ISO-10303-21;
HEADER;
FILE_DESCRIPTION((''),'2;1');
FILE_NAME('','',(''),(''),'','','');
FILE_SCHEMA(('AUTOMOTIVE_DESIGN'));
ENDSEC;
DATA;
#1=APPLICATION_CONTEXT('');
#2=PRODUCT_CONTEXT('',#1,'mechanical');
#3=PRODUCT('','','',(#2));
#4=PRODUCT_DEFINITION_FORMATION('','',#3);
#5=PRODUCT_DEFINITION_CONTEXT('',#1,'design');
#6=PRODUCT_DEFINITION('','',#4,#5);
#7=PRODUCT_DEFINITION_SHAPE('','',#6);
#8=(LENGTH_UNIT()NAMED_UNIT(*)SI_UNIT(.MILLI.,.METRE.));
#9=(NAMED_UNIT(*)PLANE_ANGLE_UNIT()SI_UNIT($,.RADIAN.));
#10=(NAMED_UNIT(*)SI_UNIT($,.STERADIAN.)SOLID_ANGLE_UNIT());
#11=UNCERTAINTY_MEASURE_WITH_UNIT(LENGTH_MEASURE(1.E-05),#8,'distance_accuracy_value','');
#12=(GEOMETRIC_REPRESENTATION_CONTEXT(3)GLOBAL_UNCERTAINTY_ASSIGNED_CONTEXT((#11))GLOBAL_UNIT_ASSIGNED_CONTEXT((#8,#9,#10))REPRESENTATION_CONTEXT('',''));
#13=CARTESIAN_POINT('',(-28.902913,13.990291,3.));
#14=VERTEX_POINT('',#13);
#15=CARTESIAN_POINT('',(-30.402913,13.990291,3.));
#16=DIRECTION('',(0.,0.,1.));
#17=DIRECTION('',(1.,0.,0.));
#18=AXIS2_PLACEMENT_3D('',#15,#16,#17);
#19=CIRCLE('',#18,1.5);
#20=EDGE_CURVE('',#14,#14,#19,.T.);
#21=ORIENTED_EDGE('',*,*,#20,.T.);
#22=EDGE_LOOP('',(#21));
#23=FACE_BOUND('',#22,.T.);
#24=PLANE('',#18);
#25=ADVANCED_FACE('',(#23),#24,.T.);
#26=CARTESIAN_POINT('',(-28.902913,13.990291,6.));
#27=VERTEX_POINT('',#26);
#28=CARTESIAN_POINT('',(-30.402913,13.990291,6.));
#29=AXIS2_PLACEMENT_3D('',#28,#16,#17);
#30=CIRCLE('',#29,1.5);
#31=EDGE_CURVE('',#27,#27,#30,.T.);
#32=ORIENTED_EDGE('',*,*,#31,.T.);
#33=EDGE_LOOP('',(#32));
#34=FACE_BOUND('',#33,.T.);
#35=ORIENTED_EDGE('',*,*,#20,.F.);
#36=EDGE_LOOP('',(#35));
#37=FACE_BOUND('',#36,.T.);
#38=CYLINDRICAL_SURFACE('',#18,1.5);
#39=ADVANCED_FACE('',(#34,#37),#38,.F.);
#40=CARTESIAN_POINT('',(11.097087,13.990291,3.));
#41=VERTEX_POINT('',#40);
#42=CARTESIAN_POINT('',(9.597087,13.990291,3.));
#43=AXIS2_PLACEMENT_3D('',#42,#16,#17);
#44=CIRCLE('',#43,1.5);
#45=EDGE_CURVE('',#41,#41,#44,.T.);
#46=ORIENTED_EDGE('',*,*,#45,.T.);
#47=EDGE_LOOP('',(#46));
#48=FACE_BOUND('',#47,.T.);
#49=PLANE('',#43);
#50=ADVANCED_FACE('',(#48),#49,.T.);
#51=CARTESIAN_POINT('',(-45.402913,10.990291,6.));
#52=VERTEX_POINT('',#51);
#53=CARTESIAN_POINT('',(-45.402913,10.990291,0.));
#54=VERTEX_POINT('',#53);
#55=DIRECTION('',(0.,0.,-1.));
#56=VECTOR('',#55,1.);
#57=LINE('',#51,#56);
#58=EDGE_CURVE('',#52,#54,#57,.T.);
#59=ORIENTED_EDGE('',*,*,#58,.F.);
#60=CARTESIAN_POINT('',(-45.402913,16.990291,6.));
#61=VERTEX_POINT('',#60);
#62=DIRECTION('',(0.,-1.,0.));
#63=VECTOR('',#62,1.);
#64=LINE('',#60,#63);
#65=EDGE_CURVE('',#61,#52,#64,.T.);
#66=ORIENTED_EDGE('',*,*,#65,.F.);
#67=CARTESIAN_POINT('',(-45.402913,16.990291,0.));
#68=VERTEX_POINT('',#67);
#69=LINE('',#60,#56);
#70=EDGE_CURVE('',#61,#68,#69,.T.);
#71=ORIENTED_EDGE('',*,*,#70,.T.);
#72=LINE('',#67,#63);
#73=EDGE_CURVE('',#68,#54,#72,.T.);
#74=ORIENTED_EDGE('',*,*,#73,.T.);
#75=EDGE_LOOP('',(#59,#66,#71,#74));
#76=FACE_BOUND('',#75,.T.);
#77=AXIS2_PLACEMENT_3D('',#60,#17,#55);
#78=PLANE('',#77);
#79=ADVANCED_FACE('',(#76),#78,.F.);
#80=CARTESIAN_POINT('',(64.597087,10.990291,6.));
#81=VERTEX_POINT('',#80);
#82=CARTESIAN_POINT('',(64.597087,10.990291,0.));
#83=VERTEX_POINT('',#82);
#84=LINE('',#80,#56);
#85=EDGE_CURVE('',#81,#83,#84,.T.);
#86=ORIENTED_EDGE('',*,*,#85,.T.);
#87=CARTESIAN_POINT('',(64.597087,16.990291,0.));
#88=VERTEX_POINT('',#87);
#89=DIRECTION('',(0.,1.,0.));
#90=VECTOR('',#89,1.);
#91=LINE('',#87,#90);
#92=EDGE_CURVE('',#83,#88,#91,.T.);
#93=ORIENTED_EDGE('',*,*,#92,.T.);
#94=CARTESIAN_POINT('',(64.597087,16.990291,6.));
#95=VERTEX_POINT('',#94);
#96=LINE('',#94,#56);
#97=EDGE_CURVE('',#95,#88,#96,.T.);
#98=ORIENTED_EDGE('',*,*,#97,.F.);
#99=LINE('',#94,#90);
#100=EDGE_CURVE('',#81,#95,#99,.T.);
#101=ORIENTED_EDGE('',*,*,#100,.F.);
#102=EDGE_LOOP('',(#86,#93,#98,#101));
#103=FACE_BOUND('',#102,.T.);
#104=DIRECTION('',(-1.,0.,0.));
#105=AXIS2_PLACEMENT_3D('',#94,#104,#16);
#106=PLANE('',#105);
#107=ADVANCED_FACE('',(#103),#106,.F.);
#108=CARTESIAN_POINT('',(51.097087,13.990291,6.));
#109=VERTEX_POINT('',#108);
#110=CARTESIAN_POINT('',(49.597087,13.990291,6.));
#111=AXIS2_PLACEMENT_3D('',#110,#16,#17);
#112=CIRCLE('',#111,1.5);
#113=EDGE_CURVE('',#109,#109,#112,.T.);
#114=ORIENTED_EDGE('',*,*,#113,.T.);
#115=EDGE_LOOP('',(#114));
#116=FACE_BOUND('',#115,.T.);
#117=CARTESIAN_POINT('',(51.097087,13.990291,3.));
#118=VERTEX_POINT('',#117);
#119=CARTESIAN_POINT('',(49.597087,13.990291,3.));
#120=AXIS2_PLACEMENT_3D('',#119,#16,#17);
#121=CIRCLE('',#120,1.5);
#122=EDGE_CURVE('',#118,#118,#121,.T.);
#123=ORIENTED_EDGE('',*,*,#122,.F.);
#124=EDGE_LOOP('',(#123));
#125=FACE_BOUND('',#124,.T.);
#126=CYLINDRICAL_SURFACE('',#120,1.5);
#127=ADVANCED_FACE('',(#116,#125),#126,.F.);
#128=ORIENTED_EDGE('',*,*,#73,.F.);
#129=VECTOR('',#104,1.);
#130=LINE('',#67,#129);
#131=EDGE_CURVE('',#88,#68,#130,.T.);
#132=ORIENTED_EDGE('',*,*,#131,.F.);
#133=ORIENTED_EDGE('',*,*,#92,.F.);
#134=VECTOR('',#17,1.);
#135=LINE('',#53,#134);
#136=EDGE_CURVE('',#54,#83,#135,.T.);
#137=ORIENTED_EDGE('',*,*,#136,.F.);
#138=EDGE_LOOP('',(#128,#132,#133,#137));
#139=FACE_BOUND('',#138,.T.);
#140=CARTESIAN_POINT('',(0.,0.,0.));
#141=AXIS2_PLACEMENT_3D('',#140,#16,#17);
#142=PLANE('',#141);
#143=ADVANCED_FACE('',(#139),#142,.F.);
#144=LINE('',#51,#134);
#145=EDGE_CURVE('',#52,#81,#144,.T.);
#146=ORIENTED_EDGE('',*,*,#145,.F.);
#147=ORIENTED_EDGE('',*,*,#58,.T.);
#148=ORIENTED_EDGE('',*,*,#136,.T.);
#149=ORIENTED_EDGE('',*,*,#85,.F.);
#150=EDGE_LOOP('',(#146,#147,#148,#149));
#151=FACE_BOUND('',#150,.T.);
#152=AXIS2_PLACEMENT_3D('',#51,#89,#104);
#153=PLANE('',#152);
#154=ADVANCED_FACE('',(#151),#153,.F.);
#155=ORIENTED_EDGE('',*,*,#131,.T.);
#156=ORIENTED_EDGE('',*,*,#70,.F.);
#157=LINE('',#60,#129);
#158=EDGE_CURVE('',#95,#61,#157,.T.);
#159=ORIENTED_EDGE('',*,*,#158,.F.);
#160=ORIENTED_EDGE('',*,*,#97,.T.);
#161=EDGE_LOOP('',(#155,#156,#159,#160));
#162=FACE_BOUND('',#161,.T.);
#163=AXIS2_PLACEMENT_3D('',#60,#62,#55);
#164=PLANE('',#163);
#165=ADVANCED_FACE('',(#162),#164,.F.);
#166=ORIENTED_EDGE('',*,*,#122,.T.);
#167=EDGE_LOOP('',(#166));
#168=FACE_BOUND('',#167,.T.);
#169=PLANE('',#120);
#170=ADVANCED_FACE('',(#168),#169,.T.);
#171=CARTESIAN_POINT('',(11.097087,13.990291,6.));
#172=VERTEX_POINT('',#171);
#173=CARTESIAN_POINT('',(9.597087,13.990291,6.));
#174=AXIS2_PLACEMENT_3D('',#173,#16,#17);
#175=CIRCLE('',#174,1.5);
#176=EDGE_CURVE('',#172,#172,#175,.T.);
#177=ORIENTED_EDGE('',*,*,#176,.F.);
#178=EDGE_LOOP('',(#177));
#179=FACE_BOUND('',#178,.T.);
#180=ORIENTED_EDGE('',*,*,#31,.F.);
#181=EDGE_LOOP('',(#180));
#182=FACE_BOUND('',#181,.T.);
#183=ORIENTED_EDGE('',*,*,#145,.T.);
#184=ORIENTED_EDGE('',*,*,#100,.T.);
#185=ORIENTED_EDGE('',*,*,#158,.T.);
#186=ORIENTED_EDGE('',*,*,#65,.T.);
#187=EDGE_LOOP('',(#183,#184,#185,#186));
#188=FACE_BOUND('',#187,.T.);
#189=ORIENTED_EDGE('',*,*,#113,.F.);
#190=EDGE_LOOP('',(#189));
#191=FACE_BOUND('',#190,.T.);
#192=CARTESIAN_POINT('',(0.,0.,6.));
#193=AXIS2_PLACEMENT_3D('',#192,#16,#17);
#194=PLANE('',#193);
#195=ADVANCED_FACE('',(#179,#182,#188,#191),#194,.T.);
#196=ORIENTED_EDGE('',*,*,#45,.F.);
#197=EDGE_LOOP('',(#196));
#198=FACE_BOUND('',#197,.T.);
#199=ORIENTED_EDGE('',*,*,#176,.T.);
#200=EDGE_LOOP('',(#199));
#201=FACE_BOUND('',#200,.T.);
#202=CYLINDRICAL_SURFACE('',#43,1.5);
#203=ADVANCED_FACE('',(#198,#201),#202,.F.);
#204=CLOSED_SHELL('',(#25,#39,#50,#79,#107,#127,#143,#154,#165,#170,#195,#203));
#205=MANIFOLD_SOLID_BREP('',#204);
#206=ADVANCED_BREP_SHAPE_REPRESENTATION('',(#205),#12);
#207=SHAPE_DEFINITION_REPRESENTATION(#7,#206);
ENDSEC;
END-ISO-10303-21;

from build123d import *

# Parameters (mm, degrees)
ESQUISSE1_W             = 110
ESQUISSE1_H             = 6
BOSS_EXTRU_1_DEPTH      = 6
ESQUISSE2_R             = 1.5
ENL_V_MAT_EXTRU_1_DEPTH = 3


with BuildPart() as part:
    # Esquisse1 → Boss.-Extru.1 (new body)
    with BuildSketch(Plane.XY):
        with Locations((9.597087379, 13.990291262)):
            Rectangle(ESQUISSE1_W, ESQUISSE1_H)
    extrude(amount=BOSS_EXTRU_1_DEPTH)

    # Esquisse2 → Enlèv. mat.-Extru.1 (cut)
    with BuildSketch(Plane.XY.offset(6)):
        with Locations((-30.402912621, 13.990291262)):
            Circle(ESQUISSE2_R)
        with Locations((9.597087379, 13.990291262)):
            Circle(ESQUISSE2_R)
        with Locations((49.597087379, 13.990291262)):
            Circle(ESQUISSE2_R)
    extrude(amount=-ENL_V_MAT_EXTRU_1_DEPTH, mode=Mode.SUBTRACT)


solid = part.part
